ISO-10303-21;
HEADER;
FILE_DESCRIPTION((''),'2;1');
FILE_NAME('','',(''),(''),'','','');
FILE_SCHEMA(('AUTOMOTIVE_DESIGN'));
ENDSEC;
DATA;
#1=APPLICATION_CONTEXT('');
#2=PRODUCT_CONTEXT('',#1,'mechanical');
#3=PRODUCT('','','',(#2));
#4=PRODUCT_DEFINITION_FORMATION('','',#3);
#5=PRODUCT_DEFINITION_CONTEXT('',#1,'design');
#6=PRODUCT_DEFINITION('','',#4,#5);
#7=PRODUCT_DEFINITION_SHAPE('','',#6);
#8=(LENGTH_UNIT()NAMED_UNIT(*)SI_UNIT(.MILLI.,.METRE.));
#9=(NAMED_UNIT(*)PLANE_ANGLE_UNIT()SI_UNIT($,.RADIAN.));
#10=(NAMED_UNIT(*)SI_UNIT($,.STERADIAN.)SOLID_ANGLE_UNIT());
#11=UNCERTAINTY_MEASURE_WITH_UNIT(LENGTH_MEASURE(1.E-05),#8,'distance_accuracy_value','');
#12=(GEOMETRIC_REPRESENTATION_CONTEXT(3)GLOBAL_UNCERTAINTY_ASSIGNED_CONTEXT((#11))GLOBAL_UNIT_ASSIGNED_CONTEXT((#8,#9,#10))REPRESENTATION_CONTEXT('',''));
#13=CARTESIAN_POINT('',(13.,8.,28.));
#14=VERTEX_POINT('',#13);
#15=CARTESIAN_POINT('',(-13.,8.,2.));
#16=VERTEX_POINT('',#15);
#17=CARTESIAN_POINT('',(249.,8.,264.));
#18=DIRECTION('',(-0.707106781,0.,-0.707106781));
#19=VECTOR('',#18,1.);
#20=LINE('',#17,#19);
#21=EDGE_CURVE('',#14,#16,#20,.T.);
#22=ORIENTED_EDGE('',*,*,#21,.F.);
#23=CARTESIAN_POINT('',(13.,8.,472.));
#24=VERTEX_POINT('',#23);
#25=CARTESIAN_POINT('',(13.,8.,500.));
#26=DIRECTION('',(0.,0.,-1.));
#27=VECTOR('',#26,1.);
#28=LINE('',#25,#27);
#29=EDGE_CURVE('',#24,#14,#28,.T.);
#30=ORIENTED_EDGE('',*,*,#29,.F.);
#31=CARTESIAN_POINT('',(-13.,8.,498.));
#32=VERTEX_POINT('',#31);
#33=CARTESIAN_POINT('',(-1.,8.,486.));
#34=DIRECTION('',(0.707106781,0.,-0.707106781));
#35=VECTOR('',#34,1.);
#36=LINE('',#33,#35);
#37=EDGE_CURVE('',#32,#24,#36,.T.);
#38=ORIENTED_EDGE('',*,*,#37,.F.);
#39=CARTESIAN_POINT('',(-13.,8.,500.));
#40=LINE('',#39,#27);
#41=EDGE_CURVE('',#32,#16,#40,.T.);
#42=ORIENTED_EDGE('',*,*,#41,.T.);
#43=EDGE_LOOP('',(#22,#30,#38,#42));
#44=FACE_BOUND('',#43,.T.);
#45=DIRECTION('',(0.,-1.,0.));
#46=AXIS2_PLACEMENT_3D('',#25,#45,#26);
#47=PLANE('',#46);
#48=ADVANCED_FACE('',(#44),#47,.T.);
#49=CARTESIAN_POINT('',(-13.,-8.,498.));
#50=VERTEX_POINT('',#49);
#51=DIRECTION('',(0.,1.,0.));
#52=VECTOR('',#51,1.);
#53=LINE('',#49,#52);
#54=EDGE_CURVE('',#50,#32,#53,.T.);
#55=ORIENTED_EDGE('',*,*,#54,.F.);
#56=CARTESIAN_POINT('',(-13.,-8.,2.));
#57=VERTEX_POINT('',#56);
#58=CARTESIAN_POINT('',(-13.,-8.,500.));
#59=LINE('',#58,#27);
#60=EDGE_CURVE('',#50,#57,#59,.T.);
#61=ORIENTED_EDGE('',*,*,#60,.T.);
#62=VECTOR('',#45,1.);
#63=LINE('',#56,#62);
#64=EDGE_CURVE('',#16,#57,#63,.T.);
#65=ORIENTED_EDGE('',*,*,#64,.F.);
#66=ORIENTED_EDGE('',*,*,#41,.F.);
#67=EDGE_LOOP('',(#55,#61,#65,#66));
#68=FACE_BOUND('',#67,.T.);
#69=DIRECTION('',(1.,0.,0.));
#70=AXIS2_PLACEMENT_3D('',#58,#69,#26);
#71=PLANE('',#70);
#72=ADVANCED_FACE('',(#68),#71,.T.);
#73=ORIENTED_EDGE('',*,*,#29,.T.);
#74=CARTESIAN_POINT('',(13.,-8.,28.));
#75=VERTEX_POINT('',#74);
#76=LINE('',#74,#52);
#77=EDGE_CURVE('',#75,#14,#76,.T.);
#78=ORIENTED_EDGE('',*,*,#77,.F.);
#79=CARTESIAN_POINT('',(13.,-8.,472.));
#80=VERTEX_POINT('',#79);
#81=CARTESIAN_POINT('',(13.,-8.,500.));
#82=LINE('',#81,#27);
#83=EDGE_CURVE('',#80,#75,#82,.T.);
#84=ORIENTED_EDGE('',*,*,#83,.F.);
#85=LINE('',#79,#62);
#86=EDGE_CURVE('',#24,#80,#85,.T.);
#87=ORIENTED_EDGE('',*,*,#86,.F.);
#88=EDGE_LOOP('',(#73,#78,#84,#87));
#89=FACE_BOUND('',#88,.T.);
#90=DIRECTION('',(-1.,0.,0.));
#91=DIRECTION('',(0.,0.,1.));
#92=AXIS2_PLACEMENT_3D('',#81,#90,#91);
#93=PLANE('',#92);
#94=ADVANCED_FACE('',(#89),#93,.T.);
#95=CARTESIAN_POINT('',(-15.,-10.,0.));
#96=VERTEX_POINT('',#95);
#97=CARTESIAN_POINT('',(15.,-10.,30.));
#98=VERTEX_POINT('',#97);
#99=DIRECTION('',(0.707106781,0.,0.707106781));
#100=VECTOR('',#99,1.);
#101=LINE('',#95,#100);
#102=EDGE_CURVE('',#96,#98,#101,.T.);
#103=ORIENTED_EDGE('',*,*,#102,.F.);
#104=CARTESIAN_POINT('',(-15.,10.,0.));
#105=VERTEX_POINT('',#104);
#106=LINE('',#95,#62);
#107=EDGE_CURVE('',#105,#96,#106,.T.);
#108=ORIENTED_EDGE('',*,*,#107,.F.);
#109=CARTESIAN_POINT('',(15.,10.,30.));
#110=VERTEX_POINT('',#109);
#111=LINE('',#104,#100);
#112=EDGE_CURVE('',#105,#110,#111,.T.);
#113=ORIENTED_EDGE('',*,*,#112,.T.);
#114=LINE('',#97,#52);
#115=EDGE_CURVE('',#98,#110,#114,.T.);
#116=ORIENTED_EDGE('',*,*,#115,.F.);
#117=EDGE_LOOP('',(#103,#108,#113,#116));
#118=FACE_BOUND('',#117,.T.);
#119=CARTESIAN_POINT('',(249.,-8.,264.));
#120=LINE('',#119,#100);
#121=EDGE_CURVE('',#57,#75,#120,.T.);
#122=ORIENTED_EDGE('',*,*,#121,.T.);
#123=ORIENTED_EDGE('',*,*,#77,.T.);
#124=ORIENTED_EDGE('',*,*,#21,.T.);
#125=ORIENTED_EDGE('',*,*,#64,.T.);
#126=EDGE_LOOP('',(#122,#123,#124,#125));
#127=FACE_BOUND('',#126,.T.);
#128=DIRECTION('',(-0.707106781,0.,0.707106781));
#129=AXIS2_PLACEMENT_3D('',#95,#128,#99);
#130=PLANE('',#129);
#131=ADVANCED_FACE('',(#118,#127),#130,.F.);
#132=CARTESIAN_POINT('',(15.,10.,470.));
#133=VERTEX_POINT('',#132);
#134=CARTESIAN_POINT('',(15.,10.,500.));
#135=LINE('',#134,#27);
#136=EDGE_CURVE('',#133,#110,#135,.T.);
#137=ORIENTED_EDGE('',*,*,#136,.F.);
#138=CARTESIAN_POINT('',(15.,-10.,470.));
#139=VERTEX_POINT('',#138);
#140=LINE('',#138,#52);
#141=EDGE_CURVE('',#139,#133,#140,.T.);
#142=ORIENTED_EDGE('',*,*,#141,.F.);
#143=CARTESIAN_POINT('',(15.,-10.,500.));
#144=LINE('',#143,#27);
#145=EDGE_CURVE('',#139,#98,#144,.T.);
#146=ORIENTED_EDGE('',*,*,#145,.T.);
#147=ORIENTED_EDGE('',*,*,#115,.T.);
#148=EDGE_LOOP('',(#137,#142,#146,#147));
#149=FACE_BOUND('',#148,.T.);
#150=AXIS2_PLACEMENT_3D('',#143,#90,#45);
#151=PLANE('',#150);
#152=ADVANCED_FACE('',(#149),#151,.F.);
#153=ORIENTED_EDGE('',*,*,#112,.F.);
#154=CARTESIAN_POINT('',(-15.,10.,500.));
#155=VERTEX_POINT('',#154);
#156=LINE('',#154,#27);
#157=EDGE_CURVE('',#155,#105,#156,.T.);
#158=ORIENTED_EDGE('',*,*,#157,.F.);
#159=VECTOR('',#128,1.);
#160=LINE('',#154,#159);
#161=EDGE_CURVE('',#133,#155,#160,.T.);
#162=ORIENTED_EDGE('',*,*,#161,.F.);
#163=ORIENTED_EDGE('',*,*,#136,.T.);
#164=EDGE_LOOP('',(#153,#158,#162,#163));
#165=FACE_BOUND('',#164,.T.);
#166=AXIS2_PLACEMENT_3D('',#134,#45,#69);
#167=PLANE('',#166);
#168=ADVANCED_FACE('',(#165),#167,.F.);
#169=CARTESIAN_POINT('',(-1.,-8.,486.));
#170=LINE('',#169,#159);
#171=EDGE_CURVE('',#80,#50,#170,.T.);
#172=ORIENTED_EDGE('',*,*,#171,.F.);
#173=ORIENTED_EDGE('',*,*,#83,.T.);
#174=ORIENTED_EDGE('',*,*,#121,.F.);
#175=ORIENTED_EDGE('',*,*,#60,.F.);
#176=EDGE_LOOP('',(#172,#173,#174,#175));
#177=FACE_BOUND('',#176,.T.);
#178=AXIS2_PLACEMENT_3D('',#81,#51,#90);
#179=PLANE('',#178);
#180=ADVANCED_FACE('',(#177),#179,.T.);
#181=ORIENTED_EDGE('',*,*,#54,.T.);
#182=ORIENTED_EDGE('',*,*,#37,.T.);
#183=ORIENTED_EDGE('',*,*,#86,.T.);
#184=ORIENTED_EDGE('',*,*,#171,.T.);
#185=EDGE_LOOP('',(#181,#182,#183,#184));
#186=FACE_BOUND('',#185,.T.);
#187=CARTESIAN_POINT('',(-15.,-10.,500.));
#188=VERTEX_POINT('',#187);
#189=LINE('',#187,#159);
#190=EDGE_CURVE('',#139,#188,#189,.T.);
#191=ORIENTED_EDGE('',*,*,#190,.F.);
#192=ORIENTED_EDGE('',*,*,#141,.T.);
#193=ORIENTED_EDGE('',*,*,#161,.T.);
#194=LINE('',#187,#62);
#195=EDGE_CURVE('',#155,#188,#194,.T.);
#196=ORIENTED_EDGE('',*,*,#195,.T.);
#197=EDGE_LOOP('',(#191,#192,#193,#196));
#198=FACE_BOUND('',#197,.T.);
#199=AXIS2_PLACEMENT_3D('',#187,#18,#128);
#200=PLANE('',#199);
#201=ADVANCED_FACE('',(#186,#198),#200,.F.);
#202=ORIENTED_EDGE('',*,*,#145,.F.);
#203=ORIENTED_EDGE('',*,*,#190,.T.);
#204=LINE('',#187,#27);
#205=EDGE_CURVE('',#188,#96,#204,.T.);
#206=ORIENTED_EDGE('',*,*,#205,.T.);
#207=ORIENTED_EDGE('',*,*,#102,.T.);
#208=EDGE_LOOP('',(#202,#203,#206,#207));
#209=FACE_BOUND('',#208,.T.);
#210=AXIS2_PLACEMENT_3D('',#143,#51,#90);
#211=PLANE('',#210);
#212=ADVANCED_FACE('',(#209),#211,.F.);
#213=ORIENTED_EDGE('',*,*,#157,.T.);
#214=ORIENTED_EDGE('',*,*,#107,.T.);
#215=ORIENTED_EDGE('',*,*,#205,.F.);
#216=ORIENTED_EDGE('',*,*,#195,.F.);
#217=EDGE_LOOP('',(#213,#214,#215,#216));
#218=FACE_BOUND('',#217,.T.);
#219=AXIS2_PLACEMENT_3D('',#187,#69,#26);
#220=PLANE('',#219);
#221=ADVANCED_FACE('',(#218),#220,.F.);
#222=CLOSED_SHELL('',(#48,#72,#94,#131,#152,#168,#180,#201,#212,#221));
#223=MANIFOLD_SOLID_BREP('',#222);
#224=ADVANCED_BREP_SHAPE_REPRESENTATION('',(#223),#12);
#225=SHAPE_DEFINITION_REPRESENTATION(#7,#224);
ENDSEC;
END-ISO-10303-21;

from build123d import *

# Parameters (mm, degrees)
SCHIZZO1_W                   = 30
SCHIZZO1_H                   = 20
SCHIZZO1_W_2                 = 26
SCHIZZO1_H_2                 = 16
ESTRUSIONE_ESTRUSIONE1_DEPTH = 500
TAGLIO_ESTRUSIONE1_DEPTH     = 501.624609863


with BuildPart() as part:
    # Schizzo1 → Estrusione-Estrusione1 (new body)
    with BuildSketch(Plane.XY):
        Rectangle(SCHIZZO1_W, SCHIZZO1_H)
        Rectangle(SCHIZZO1_W_2, SCHIZZO1_H_2, mode=Mode.SUBTRACT)
    extrude(amount=ESTRUSIONE_ESTRUSIONE1_DEPTH)

    # Schizzo2 → Taglio-Estrusione1 (cut, through all)
    with BuildSketch(Plane(origin=(0, 10, 0), x_dir=(1, 0, 0), z_dir=(0, 1, 0))):
        Polygon((-15, 0), (15, -30), (15, 0), align=None)
        Polygon((-15, -500), (15, -470), (15, -500), align=None)
    extrude(amount=-TAGLIO_ESTRUSIONE1_DEPTH, mode=Mode.SUBTRACT)


solid = part.part
